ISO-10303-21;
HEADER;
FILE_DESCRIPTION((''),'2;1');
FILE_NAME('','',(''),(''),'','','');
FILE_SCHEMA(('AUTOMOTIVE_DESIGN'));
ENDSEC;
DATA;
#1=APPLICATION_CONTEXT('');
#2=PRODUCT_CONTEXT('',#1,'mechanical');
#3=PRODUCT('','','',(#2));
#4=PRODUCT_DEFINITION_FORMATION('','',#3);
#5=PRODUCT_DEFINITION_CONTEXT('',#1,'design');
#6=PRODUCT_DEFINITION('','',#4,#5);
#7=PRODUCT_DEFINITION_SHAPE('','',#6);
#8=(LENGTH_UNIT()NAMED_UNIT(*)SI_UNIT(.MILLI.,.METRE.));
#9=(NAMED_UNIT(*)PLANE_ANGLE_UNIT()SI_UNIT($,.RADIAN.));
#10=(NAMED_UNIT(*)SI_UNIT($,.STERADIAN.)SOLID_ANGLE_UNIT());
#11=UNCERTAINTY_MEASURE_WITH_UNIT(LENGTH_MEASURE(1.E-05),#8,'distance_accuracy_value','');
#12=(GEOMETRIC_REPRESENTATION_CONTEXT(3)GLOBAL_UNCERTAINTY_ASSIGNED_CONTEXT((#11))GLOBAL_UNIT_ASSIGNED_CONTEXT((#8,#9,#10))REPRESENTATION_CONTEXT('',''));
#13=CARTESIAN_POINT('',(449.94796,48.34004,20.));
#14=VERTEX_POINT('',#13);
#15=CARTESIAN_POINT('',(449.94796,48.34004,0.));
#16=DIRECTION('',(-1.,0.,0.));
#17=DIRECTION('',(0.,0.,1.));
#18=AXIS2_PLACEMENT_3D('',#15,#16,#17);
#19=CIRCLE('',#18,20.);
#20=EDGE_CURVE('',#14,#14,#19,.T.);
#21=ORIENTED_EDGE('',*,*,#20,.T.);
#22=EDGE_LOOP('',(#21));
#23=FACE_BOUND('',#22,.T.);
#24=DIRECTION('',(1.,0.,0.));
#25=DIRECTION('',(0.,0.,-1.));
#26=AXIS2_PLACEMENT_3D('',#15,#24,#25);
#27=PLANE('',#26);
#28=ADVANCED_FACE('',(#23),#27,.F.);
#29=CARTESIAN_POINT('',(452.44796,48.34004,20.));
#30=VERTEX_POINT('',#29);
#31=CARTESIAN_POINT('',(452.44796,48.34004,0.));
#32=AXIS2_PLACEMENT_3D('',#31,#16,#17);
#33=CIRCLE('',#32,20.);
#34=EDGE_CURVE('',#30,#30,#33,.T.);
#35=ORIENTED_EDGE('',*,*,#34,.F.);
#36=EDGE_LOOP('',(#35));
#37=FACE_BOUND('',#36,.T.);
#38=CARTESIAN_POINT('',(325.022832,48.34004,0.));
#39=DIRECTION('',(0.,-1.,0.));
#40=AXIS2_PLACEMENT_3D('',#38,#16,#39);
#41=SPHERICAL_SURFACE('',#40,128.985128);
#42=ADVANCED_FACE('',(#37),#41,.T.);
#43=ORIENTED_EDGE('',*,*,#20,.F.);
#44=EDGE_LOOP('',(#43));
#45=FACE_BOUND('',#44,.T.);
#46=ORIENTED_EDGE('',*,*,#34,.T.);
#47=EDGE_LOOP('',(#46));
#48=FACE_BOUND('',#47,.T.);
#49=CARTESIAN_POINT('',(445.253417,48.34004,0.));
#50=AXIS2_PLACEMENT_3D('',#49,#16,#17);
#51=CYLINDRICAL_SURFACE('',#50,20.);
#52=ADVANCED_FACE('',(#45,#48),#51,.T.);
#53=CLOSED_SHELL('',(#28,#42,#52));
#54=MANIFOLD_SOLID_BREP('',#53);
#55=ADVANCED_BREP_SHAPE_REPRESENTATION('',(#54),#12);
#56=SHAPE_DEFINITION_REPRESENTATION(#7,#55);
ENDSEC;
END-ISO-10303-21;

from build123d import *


with BuildPart() as part:
    # 草图1 → 旋转1 (revolve)
    with BuildSketch(Plane.XY, mode=Mode.PRIVATE) as revolve_1_sk:
        with BuildLine():
            Line((449.947960124, 48.340040201), (449.947960124, 68.340040201))
            Line((449.947960124, 68.340040201), (452.447960124, 68.340040201))
            ThreePointArc((452.447960124, 68.340040201), (453.617368732, 58.370414072), (454.007960124, 48.340040201))
            Line((454.007960124, 48.340040201), (449.947960124, 48.340040201))
        make_face()
    revolve(revolve_1_sk.sketch.rotate(Axis((445.253416944, 48.340040201, 0), (1, 0, 0)), 180), axis=Axis((445.253416944, 48.340040201, 0), (1, 0, 0)))  # turned: the seam where the file's is


solid = part.part
